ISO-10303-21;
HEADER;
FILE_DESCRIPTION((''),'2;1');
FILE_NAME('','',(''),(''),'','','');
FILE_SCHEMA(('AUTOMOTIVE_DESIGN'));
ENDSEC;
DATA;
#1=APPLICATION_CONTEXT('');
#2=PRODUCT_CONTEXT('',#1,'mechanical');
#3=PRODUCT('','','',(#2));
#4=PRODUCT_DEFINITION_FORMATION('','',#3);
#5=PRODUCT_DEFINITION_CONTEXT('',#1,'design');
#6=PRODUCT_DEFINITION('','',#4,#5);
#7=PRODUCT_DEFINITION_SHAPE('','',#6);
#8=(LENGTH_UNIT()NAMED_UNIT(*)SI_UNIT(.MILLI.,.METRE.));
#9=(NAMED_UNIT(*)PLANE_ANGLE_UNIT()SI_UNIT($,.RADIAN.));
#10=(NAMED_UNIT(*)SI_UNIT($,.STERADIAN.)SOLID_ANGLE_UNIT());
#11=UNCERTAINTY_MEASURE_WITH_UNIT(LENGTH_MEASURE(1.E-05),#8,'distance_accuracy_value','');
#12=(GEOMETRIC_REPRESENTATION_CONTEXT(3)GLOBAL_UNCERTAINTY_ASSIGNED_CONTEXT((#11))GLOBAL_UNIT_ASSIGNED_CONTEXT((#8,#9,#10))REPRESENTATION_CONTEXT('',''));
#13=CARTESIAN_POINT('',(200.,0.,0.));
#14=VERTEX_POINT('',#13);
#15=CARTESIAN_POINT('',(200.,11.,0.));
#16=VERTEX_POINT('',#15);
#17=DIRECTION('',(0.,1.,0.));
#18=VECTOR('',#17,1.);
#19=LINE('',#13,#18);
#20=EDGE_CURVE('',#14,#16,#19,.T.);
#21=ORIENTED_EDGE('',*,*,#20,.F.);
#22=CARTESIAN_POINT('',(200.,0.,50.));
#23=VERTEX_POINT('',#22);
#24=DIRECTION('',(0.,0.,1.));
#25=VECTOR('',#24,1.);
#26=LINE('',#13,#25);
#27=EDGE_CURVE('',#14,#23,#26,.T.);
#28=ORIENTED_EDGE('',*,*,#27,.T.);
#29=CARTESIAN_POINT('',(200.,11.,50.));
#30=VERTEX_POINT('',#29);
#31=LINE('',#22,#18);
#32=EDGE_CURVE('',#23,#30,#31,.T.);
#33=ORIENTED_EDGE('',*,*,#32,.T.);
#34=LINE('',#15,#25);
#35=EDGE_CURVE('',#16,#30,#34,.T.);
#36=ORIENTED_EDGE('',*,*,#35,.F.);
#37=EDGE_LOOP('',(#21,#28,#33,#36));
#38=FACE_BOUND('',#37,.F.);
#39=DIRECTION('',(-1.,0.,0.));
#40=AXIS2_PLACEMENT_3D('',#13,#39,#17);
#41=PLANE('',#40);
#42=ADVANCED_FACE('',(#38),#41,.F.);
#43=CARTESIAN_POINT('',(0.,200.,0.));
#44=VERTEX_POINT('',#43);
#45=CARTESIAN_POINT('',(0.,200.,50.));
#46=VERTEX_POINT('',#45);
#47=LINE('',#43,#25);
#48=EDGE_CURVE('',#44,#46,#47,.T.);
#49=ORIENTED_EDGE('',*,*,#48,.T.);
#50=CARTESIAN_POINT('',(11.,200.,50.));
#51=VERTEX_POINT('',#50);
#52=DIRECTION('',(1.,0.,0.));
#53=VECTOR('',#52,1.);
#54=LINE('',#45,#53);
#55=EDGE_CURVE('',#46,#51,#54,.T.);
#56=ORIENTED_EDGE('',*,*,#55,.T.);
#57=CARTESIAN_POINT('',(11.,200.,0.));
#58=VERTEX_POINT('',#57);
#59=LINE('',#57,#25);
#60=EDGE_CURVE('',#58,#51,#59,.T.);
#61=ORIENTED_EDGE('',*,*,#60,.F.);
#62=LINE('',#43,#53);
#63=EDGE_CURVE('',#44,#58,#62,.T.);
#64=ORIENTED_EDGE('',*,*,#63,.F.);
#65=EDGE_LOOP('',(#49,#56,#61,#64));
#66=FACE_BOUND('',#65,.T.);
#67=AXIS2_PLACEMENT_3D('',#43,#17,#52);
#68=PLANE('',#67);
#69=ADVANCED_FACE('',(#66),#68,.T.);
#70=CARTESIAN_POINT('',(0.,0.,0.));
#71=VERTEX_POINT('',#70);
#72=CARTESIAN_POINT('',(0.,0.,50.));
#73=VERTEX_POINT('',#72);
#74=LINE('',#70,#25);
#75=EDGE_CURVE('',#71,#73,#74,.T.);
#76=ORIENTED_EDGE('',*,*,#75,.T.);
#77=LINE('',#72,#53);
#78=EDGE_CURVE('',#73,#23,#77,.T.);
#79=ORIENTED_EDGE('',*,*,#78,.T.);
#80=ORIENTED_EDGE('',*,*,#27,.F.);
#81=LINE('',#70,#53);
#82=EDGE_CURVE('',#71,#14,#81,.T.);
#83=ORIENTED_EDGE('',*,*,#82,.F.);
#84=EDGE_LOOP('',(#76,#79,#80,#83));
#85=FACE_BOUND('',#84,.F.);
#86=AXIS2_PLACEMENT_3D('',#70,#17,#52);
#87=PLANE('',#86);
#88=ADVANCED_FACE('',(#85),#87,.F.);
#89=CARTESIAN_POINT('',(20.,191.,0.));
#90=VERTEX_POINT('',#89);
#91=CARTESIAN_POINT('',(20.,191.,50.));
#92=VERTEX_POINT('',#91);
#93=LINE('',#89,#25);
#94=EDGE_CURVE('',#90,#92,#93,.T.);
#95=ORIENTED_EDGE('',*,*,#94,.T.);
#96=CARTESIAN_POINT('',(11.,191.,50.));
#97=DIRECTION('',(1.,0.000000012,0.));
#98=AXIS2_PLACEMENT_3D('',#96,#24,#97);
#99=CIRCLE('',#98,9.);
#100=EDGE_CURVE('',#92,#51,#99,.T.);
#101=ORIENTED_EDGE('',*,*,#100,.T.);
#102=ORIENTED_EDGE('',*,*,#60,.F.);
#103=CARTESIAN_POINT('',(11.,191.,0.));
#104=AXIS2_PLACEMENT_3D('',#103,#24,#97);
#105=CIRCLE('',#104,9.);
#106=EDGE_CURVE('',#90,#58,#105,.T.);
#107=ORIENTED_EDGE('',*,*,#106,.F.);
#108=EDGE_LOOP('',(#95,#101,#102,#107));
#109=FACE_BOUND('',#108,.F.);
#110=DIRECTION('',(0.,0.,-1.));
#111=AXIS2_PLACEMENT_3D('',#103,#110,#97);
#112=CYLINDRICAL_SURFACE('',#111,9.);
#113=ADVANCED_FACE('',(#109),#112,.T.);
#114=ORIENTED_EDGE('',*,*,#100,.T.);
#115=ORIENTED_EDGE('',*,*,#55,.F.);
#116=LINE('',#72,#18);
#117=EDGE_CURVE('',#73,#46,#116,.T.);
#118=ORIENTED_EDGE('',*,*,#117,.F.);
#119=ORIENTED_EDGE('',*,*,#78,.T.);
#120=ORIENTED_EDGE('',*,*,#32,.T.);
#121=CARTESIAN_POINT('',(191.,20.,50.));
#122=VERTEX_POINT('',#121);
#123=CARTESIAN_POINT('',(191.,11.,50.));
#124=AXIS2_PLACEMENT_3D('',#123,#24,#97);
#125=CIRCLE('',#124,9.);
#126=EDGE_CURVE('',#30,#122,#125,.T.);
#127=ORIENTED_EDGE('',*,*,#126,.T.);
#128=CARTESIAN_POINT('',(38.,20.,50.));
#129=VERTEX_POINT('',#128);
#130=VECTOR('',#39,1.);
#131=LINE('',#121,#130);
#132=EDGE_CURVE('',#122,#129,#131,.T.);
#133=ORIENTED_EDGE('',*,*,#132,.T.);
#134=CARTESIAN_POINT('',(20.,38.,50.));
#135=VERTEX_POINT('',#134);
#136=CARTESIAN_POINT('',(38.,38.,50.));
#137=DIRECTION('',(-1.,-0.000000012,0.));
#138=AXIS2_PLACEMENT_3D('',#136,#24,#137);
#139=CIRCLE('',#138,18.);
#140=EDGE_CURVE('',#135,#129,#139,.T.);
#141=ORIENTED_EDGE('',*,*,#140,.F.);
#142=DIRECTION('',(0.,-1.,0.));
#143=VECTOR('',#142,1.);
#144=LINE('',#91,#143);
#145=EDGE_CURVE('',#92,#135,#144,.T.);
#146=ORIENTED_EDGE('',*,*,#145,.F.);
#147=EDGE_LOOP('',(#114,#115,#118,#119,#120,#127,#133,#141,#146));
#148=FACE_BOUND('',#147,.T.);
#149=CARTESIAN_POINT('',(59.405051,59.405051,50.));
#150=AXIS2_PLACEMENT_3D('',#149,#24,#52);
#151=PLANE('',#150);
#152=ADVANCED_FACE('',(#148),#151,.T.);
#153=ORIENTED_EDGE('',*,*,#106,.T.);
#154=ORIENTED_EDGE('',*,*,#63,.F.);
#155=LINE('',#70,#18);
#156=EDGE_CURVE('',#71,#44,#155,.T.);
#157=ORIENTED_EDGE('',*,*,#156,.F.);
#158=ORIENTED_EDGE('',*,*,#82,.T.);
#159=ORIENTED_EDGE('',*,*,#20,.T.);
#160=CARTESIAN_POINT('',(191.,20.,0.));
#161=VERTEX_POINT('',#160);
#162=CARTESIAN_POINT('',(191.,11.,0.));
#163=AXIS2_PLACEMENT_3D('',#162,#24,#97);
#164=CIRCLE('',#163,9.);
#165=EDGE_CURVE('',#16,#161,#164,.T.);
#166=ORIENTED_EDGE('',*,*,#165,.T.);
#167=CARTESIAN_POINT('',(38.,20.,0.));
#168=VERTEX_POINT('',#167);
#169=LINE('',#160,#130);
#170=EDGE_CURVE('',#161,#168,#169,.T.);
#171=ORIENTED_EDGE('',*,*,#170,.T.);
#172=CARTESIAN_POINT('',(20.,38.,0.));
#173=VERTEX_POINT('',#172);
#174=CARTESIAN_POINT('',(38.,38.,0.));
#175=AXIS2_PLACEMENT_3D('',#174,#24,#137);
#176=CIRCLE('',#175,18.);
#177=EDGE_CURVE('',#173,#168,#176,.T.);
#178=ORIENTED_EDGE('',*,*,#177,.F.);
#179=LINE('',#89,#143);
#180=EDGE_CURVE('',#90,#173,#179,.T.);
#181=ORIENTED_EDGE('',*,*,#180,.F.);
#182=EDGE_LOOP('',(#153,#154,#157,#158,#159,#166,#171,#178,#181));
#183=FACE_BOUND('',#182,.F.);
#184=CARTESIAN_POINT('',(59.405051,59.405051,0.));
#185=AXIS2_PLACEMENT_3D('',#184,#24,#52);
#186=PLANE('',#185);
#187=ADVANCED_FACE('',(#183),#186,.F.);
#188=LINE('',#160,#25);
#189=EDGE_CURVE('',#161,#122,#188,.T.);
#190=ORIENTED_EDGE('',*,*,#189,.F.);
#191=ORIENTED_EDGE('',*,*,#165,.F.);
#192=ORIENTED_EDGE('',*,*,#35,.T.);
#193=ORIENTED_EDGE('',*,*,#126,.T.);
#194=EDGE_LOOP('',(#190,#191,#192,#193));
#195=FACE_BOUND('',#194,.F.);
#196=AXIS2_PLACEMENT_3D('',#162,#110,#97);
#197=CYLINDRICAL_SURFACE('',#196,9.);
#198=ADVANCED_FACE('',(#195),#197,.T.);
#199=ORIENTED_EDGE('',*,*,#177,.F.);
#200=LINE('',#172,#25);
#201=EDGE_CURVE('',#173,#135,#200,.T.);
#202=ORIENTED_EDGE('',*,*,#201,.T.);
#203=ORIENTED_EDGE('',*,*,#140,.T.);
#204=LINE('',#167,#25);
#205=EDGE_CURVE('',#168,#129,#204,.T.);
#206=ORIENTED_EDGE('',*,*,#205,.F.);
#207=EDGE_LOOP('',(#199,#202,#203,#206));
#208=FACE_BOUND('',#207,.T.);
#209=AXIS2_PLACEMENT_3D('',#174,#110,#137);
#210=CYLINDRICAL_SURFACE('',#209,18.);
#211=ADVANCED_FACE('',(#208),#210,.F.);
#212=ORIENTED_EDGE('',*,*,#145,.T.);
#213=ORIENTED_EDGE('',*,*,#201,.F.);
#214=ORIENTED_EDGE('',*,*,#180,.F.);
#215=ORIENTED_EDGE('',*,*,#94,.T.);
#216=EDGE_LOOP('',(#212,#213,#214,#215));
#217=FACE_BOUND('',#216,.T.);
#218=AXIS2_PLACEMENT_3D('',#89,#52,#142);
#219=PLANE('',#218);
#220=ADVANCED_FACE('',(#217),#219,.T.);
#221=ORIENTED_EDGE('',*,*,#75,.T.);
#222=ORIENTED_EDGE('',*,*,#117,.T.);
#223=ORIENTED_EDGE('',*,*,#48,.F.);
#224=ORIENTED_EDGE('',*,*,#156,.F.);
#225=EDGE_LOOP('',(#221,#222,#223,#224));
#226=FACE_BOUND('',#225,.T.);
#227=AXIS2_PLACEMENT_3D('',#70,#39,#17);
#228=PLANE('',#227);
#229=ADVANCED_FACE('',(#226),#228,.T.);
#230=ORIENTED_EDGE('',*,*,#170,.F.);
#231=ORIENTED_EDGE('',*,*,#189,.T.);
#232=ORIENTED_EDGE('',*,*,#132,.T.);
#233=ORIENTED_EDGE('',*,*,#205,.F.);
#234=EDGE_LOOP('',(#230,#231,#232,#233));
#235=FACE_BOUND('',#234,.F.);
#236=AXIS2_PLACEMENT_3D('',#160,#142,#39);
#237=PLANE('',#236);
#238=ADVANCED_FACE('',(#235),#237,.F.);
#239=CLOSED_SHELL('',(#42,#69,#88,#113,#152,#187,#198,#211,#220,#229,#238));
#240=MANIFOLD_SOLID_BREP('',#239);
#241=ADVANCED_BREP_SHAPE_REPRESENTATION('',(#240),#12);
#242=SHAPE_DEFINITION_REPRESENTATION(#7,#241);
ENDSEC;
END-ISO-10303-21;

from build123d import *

# Parameters (mm, degrees)
EXTRUDE_DEPTH = 50


with BuildPart() as part:
    # Sketch → Extrude (new body)
    with BuildSketch(Plane.XY):
        with BuildLine():
            Line((0, 0), (200, 0))
            Line((200, 0), (200, 11))
            ThreePointArc((200, 11), (197.363961, 17.363961), (191, 20))
            Line((191, 20), (38, 20))
            ThreePointArc((20, 38), (25.272078, 25.272078), (38, 20))
            Line((20, 191), (20, 38))
            ThreePointArc((20, 191), (17.363961, 197.363961), (11, 200))
            Line((0, 200), (11, 200))
            Line((0, 0), (0, 200))
        make_face()
    extrude(amount=EXTRUDE_DEPTH)


solid = part.part
